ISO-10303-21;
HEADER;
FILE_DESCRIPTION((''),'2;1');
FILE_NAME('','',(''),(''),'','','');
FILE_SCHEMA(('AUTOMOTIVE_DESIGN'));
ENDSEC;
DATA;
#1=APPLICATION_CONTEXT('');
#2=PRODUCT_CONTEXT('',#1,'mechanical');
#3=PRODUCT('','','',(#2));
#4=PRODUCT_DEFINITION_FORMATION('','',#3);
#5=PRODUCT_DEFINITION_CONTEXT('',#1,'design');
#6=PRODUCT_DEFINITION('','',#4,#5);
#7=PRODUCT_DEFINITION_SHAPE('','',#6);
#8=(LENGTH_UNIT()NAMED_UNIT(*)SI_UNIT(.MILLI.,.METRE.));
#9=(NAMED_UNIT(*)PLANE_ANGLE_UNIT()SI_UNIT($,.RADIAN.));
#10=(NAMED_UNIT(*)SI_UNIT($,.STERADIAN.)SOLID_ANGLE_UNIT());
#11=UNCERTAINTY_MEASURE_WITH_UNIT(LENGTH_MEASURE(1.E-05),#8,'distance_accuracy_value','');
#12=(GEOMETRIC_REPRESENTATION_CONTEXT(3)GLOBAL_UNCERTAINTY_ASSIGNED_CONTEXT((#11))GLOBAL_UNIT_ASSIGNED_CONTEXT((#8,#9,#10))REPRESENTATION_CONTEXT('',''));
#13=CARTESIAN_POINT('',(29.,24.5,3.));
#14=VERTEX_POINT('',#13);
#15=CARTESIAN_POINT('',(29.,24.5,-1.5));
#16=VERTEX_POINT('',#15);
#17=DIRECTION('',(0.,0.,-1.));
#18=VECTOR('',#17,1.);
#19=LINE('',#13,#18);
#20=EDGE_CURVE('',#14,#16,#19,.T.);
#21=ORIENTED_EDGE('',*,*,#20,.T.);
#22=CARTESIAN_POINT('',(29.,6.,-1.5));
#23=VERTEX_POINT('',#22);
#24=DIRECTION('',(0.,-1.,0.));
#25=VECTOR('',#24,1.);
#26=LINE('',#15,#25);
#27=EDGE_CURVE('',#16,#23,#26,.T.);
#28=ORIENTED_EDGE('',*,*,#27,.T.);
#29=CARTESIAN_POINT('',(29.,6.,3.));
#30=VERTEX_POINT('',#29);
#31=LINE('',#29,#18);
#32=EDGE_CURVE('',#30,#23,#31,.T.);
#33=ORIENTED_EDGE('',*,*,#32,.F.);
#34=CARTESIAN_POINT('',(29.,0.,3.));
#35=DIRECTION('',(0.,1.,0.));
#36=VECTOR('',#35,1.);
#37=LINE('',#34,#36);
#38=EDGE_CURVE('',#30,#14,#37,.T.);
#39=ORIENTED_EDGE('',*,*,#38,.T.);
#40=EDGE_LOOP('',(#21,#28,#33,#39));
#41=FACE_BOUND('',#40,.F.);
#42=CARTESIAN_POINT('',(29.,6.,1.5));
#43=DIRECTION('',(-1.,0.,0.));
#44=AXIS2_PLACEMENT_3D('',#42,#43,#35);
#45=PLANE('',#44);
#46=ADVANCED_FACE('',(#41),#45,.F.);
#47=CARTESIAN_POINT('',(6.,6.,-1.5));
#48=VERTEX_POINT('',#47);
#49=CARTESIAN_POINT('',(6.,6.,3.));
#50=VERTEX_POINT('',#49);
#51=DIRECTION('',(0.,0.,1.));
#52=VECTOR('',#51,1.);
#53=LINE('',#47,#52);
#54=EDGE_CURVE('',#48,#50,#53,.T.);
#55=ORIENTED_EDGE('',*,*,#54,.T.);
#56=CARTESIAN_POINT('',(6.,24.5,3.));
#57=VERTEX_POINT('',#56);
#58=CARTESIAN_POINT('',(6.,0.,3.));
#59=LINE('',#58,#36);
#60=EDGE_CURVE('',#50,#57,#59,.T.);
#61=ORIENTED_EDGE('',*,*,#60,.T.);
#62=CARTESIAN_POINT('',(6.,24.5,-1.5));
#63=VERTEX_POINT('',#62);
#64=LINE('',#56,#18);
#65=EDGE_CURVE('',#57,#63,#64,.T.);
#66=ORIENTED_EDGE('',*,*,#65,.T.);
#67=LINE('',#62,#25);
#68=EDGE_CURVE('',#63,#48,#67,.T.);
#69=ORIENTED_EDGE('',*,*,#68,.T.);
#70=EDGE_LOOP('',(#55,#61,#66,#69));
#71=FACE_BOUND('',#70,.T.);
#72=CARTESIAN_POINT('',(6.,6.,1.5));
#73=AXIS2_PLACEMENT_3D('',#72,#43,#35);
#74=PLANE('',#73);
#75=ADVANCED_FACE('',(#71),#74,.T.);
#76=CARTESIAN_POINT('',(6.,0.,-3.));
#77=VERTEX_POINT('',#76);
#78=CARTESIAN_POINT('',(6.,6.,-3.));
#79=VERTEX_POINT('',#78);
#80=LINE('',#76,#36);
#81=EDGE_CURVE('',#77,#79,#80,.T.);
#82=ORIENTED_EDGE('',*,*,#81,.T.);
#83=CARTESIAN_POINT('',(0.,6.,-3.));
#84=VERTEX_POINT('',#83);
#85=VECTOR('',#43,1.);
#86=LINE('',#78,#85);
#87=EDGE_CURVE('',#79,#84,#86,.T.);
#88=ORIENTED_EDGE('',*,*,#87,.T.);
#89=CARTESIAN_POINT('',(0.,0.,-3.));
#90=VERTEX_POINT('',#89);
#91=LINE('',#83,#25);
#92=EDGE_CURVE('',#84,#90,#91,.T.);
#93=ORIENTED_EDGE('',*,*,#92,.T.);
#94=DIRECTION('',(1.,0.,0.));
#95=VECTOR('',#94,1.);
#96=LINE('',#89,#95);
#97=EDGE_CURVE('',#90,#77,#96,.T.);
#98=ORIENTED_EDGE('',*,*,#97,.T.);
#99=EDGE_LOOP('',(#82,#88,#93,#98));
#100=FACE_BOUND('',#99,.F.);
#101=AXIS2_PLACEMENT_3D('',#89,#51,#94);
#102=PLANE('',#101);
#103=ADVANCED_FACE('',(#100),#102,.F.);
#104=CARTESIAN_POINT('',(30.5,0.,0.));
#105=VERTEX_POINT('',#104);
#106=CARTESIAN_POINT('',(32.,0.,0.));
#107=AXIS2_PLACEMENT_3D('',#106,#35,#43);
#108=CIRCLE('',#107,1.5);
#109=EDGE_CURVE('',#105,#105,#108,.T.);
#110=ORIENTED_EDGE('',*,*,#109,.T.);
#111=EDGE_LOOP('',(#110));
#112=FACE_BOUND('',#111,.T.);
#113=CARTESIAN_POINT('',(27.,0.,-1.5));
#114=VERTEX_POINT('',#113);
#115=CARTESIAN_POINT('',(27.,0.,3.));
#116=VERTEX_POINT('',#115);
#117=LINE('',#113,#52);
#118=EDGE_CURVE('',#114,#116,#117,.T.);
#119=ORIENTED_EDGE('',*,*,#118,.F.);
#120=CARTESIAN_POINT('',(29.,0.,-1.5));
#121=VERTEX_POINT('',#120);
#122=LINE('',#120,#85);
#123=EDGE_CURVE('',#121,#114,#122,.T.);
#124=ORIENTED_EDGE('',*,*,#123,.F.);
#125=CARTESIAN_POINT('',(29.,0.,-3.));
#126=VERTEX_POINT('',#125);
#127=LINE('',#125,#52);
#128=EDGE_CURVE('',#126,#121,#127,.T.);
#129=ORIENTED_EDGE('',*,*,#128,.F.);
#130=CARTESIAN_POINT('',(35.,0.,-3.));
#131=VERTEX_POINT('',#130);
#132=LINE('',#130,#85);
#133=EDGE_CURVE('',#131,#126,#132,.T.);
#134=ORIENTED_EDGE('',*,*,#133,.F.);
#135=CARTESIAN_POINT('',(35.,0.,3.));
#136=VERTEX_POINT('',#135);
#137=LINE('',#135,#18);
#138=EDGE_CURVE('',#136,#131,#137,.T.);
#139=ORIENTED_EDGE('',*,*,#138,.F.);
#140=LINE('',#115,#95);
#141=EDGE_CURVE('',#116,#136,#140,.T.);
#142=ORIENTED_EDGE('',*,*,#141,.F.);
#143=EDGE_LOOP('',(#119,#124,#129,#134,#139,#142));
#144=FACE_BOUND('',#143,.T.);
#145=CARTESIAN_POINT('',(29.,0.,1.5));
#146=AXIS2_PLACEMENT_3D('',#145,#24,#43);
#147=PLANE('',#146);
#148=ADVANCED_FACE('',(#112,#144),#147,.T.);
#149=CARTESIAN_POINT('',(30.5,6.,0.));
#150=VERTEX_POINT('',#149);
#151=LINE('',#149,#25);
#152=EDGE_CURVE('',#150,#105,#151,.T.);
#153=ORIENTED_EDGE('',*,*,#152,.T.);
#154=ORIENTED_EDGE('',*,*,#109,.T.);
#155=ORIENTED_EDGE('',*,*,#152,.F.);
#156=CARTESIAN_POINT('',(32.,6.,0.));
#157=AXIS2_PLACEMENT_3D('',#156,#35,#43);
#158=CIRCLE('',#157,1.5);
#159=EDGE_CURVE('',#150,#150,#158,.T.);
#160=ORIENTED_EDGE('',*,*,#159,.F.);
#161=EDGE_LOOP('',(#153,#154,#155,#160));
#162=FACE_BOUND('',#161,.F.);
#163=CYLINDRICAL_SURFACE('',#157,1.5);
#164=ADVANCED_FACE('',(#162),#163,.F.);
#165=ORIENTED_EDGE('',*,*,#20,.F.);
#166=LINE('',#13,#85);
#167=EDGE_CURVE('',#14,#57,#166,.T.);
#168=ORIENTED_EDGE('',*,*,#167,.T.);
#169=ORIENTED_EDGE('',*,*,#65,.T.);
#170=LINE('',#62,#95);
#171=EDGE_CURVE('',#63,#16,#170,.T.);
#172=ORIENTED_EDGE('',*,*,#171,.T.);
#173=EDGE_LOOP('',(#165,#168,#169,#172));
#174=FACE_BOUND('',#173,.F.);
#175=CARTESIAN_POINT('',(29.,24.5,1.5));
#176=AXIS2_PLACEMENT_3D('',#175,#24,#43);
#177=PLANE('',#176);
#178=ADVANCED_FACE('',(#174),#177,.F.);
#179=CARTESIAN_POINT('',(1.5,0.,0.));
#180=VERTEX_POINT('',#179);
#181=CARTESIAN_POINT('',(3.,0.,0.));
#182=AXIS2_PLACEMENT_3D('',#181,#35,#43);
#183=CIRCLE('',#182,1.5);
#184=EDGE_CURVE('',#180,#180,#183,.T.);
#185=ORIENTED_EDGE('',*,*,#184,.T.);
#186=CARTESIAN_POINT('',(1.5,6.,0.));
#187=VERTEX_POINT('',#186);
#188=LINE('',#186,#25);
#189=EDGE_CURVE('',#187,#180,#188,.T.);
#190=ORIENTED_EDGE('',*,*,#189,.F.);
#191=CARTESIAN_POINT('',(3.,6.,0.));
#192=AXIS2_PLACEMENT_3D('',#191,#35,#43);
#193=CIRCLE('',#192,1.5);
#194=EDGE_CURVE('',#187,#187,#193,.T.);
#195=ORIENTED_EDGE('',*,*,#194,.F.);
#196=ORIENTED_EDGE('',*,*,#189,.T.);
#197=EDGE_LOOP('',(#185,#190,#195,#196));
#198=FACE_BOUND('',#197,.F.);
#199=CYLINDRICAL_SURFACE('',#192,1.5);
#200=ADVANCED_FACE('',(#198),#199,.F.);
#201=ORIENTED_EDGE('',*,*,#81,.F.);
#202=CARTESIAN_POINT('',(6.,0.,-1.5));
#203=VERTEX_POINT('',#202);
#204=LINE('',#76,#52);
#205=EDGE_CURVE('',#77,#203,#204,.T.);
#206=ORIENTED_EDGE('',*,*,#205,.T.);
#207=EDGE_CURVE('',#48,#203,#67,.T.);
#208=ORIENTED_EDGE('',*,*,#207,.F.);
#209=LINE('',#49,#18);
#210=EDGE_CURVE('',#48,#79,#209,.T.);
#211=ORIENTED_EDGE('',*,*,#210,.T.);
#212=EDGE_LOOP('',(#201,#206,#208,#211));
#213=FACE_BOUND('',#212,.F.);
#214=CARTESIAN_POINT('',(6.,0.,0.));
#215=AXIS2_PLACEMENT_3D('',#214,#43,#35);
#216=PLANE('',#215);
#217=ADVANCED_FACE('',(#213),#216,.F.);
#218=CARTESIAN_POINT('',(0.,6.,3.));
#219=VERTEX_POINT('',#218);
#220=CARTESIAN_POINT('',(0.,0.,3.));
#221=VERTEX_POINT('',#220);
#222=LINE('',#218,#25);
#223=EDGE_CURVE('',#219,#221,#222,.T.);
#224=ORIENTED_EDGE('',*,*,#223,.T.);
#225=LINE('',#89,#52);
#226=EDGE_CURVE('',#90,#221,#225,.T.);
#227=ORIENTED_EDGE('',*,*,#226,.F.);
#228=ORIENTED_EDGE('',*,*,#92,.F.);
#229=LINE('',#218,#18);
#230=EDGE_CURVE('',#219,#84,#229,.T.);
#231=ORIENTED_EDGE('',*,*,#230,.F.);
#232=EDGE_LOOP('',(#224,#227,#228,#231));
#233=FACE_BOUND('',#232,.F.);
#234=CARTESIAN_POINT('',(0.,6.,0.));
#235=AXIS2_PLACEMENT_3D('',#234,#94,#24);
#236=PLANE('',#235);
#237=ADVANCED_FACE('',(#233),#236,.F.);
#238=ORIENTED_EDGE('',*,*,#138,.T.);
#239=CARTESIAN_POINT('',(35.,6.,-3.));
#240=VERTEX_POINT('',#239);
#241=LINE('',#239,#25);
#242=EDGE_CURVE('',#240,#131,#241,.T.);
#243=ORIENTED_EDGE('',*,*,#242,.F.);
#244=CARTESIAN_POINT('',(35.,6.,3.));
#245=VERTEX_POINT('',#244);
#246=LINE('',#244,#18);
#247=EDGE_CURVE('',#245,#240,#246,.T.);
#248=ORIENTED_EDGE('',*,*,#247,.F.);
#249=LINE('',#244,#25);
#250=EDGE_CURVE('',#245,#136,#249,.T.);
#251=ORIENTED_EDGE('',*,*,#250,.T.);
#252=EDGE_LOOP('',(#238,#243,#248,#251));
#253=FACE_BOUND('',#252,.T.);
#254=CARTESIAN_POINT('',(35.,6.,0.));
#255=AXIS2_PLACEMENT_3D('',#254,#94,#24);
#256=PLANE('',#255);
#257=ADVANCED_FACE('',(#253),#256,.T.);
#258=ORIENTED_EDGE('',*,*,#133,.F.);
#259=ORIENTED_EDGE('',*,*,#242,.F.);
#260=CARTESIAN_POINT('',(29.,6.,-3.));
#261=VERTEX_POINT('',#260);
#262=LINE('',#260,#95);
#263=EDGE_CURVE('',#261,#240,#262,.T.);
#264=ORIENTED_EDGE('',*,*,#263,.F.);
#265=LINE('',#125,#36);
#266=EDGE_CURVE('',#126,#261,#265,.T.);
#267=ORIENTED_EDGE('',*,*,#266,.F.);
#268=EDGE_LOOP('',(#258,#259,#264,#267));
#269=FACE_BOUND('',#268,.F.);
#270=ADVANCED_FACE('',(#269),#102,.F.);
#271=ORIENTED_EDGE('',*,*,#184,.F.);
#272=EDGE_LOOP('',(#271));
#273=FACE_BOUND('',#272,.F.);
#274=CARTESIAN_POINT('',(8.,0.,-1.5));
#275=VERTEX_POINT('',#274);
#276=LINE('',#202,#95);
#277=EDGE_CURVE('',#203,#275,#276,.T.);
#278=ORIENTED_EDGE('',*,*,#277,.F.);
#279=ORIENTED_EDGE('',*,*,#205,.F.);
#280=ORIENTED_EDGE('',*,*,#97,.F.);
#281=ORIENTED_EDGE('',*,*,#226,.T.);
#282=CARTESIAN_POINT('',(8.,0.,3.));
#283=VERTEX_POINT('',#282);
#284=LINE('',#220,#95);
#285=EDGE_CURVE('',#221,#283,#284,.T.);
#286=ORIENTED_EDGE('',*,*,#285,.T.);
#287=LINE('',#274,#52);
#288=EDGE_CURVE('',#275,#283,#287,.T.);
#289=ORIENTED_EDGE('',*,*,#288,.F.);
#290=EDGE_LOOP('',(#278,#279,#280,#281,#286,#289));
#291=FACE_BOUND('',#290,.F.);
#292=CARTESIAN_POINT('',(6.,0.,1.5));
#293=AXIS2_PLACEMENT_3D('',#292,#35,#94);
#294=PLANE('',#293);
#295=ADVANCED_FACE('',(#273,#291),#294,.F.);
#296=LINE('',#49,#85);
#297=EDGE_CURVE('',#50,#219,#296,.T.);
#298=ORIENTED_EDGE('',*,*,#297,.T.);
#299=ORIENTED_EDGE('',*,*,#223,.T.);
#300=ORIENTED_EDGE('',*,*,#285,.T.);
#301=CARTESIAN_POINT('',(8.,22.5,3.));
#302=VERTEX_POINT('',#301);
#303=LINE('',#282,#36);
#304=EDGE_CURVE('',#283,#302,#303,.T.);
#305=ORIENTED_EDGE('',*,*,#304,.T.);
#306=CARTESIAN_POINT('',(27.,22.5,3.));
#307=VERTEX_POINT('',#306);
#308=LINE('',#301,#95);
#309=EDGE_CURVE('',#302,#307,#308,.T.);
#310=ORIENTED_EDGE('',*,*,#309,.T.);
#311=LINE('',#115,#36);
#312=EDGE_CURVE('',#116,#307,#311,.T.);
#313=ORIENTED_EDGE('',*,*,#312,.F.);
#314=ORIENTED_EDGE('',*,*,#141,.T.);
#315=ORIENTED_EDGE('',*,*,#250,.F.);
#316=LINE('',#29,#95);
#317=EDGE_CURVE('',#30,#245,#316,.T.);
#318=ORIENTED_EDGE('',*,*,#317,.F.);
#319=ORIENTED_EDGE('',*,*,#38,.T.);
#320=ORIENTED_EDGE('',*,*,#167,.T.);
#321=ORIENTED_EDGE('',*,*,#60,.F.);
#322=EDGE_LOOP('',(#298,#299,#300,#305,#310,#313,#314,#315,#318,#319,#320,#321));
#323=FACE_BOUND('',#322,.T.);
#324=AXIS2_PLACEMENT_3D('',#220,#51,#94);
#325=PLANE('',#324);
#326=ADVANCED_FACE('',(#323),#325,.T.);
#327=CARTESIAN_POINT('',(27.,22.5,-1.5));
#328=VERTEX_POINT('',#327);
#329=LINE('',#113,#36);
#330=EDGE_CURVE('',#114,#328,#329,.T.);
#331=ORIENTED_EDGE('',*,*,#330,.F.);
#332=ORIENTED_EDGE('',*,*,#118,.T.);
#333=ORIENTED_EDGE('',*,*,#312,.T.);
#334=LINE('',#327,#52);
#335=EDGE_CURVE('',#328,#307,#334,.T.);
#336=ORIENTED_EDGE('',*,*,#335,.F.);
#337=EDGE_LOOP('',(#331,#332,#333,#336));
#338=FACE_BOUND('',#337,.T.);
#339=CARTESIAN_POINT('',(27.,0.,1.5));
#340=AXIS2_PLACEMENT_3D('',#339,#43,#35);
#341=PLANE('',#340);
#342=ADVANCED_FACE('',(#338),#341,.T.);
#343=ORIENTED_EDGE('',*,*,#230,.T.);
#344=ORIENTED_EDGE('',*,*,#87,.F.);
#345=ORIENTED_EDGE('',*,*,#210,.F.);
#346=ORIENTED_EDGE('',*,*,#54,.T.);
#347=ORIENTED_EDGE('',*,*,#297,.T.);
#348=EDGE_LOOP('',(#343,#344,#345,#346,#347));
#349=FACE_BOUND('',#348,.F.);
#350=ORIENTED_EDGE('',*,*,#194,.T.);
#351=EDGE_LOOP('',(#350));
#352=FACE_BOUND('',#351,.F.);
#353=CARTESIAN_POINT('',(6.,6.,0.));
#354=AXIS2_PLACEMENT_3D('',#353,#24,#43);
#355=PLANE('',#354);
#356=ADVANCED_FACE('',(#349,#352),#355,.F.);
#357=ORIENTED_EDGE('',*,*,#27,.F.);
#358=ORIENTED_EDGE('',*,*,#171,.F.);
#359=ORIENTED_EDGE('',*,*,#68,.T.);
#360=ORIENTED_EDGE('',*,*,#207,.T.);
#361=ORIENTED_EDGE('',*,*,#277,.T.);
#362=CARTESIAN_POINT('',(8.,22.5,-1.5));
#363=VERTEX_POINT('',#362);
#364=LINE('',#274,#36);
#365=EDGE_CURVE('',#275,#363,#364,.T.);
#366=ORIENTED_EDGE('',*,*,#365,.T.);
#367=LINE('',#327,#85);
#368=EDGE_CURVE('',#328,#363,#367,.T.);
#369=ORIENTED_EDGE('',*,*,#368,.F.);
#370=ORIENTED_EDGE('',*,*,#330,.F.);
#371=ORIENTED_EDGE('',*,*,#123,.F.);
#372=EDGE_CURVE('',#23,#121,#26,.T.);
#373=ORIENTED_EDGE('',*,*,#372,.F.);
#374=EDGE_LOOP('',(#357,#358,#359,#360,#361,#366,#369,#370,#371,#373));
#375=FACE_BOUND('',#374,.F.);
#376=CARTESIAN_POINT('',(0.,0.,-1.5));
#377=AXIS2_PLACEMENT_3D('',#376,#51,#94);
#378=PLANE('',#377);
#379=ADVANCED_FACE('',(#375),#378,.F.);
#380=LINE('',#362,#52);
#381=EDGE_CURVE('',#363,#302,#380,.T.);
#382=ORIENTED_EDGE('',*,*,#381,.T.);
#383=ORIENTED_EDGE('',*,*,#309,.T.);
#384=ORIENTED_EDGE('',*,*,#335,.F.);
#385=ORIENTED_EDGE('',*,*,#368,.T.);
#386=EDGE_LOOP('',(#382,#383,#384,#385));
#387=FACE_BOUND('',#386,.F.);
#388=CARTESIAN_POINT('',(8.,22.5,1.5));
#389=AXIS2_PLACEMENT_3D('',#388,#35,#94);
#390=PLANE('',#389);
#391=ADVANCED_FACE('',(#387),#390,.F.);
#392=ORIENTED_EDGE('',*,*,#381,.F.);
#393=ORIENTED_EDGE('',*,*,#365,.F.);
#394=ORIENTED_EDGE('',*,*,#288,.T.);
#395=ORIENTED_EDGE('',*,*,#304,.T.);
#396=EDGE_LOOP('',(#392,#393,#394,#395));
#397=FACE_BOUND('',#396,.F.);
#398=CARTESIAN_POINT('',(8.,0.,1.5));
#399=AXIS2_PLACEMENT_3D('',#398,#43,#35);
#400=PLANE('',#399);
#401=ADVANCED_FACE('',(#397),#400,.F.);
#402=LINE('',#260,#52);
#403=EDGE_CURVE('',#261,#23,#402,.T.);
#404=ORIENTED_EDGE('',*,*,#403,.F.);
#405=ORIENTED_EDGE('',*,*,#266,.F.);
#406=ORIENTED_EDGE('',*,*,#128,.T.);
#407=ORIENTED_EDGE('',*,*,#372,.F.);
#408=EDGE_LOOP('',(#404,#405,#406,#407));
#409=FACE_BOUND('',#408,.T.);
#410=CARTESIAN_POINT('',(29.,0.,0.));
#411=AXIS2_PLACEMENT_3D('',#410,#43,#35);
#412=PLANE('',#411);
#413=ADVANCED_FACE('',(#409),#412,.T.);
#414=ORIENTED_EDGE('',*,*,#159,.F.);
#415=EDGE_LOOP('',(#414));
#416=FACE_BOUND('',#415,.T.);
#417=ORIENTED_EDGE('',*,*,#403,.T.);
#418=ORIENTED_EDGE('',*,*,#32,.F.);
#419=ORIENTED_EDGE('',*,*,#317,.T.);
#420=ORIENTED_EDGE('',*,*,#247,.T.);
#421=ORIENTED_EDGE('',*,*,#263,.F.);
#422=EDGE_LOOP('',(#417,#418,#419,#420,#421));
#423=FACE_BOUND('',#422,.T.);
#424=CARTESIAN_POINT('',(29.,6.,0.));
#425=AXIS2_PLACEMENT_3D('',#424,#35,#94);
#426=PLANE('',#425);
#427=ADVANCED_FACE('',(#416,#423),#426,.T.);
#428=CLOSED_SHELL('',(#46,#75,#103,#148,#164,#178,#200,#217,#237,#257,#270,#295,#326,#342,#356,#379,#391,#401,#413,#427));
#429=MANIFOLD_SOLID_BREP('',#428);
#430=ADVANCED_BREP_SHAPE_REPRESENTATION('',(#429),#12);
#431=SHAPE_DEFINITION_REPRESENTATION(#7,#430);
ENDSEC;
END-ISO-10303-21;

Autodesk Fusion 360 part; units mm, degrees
sketch "Sketch1" plane through (0, 0, 0) normal (0, 0, 1) x (1, 0, 0)
  line L0 (0, 0) -> (6, 0)
  line L1 (6, 0) -> (6, 6)
  line L2 (6, 6) -> (0, 6)
  line L3 (0, 6) -> (0, 0)
  line L4 (6, 0) -> (8, 0)
  line L5 (8, 0) -> (8, 24.5)
  line L6 (8, 24.5) -> (6, 24.5)
  line L7 (6, 24.5) -> (6, 0)
  line L8 (6, 24.5) -> (17.5, 24.5)
  line L9 (17.5, 24.5) -> (17.5, 22.5)
  line L10 (17.5, 22.5) -> (6, 22.5)
  line L11 (6, 22.5) -> (6, 24.5)
  line L12 (29, 6) -> (35, 6)
  line L13 (17.5, 22.5) -> (29, 22.5)
  line L14 (29, 0) -> (29, 6)
  line L15 (35, 6) -> (35, 0)
  line L16 (29, 24.5) -> (29, 0)
  line L17 (27, 24.5) -> (29, 24.5)
  line L18 (17.5, 24.5) -> (17.5, 22.5)
  line L19 (29, 22.5) -> (29, 24.5)
  line L20 (35, 0) -> (29, 0)
  line L21 (29, 24.5) -> (17.5, 24.5)
  line L22 (27, 0) -> (27, 24.5)
  line L23 (29, 0) -> (27, 0)
  point P0 (35, 0)
  dimension "d1" = 6
  dimension "d2" = 6
  dimension "d3" = 2
  dimension "d4" = 24.5
  dimension "d5" = 11.5
  dimension "d6" = 2
extrude "Extrude1" add sketch "Sketch1" along normal blind 3 and the other way blind 3 contours L0 L1 L2 L3 L7 | L12 L14 L15 L16 L20 makes body 1 at (31, 6, -1) makes body 2 at (0, 2, 1)
extrude "Extrude2" add sketch "Sketch1" along normal blind 1.5 and the other way blind 1.5 contours L1 L4 L5 L7 L10 | L5 L6 L7 L8 L10 L11 | L5 L8 L9 L10 L18 | L9 L13 L18 L21 L22 | L13 L16 L17 L19 L21 L22 | L13 L14 L16 L22 L23 bodies 1 2
sketch "Sketch3" plane through (0, 6, 0) normal (0, 1, 0) x (-1, 0, 0)
  line L0 (0, -3) -> (0, 3)
  line L1 (0, 3) -> (-6, 3)
  line L2 (-6, 3) -> (-6, 1.5)
  line L3 (-6, 1.5) -> (-6, -1.5)
  line L4 (-6, -1.5) -> (-6, -3)
  line L5 (-6, -3) -> (0, -3)
  circle A0 centre (-3, 0) radius 1.5
  circle A1 centre (-32, 0) radius 1.5
  line L6 (-35, -3) -> (-35, 3)
  line L7 (-29, -3) -> (-35, -3)
  dimension "d16" = 3
  dimension "d17" = 3
  dimension "d18" = 3
  dimension "d19" = 3
  dimension "d20" = 3
  dimension "d21" = 3
extrude "Extrude3" cut sketch "Sketch3" against normal blind 11 contours A0 | A1 bodies 1
extrude "Extrude4" add 1 faces at (27.6667, 9.5, 1.5) along direction (0, 0, 1) up to surface (1.5 mm away) on bodies 1 bodies 1
